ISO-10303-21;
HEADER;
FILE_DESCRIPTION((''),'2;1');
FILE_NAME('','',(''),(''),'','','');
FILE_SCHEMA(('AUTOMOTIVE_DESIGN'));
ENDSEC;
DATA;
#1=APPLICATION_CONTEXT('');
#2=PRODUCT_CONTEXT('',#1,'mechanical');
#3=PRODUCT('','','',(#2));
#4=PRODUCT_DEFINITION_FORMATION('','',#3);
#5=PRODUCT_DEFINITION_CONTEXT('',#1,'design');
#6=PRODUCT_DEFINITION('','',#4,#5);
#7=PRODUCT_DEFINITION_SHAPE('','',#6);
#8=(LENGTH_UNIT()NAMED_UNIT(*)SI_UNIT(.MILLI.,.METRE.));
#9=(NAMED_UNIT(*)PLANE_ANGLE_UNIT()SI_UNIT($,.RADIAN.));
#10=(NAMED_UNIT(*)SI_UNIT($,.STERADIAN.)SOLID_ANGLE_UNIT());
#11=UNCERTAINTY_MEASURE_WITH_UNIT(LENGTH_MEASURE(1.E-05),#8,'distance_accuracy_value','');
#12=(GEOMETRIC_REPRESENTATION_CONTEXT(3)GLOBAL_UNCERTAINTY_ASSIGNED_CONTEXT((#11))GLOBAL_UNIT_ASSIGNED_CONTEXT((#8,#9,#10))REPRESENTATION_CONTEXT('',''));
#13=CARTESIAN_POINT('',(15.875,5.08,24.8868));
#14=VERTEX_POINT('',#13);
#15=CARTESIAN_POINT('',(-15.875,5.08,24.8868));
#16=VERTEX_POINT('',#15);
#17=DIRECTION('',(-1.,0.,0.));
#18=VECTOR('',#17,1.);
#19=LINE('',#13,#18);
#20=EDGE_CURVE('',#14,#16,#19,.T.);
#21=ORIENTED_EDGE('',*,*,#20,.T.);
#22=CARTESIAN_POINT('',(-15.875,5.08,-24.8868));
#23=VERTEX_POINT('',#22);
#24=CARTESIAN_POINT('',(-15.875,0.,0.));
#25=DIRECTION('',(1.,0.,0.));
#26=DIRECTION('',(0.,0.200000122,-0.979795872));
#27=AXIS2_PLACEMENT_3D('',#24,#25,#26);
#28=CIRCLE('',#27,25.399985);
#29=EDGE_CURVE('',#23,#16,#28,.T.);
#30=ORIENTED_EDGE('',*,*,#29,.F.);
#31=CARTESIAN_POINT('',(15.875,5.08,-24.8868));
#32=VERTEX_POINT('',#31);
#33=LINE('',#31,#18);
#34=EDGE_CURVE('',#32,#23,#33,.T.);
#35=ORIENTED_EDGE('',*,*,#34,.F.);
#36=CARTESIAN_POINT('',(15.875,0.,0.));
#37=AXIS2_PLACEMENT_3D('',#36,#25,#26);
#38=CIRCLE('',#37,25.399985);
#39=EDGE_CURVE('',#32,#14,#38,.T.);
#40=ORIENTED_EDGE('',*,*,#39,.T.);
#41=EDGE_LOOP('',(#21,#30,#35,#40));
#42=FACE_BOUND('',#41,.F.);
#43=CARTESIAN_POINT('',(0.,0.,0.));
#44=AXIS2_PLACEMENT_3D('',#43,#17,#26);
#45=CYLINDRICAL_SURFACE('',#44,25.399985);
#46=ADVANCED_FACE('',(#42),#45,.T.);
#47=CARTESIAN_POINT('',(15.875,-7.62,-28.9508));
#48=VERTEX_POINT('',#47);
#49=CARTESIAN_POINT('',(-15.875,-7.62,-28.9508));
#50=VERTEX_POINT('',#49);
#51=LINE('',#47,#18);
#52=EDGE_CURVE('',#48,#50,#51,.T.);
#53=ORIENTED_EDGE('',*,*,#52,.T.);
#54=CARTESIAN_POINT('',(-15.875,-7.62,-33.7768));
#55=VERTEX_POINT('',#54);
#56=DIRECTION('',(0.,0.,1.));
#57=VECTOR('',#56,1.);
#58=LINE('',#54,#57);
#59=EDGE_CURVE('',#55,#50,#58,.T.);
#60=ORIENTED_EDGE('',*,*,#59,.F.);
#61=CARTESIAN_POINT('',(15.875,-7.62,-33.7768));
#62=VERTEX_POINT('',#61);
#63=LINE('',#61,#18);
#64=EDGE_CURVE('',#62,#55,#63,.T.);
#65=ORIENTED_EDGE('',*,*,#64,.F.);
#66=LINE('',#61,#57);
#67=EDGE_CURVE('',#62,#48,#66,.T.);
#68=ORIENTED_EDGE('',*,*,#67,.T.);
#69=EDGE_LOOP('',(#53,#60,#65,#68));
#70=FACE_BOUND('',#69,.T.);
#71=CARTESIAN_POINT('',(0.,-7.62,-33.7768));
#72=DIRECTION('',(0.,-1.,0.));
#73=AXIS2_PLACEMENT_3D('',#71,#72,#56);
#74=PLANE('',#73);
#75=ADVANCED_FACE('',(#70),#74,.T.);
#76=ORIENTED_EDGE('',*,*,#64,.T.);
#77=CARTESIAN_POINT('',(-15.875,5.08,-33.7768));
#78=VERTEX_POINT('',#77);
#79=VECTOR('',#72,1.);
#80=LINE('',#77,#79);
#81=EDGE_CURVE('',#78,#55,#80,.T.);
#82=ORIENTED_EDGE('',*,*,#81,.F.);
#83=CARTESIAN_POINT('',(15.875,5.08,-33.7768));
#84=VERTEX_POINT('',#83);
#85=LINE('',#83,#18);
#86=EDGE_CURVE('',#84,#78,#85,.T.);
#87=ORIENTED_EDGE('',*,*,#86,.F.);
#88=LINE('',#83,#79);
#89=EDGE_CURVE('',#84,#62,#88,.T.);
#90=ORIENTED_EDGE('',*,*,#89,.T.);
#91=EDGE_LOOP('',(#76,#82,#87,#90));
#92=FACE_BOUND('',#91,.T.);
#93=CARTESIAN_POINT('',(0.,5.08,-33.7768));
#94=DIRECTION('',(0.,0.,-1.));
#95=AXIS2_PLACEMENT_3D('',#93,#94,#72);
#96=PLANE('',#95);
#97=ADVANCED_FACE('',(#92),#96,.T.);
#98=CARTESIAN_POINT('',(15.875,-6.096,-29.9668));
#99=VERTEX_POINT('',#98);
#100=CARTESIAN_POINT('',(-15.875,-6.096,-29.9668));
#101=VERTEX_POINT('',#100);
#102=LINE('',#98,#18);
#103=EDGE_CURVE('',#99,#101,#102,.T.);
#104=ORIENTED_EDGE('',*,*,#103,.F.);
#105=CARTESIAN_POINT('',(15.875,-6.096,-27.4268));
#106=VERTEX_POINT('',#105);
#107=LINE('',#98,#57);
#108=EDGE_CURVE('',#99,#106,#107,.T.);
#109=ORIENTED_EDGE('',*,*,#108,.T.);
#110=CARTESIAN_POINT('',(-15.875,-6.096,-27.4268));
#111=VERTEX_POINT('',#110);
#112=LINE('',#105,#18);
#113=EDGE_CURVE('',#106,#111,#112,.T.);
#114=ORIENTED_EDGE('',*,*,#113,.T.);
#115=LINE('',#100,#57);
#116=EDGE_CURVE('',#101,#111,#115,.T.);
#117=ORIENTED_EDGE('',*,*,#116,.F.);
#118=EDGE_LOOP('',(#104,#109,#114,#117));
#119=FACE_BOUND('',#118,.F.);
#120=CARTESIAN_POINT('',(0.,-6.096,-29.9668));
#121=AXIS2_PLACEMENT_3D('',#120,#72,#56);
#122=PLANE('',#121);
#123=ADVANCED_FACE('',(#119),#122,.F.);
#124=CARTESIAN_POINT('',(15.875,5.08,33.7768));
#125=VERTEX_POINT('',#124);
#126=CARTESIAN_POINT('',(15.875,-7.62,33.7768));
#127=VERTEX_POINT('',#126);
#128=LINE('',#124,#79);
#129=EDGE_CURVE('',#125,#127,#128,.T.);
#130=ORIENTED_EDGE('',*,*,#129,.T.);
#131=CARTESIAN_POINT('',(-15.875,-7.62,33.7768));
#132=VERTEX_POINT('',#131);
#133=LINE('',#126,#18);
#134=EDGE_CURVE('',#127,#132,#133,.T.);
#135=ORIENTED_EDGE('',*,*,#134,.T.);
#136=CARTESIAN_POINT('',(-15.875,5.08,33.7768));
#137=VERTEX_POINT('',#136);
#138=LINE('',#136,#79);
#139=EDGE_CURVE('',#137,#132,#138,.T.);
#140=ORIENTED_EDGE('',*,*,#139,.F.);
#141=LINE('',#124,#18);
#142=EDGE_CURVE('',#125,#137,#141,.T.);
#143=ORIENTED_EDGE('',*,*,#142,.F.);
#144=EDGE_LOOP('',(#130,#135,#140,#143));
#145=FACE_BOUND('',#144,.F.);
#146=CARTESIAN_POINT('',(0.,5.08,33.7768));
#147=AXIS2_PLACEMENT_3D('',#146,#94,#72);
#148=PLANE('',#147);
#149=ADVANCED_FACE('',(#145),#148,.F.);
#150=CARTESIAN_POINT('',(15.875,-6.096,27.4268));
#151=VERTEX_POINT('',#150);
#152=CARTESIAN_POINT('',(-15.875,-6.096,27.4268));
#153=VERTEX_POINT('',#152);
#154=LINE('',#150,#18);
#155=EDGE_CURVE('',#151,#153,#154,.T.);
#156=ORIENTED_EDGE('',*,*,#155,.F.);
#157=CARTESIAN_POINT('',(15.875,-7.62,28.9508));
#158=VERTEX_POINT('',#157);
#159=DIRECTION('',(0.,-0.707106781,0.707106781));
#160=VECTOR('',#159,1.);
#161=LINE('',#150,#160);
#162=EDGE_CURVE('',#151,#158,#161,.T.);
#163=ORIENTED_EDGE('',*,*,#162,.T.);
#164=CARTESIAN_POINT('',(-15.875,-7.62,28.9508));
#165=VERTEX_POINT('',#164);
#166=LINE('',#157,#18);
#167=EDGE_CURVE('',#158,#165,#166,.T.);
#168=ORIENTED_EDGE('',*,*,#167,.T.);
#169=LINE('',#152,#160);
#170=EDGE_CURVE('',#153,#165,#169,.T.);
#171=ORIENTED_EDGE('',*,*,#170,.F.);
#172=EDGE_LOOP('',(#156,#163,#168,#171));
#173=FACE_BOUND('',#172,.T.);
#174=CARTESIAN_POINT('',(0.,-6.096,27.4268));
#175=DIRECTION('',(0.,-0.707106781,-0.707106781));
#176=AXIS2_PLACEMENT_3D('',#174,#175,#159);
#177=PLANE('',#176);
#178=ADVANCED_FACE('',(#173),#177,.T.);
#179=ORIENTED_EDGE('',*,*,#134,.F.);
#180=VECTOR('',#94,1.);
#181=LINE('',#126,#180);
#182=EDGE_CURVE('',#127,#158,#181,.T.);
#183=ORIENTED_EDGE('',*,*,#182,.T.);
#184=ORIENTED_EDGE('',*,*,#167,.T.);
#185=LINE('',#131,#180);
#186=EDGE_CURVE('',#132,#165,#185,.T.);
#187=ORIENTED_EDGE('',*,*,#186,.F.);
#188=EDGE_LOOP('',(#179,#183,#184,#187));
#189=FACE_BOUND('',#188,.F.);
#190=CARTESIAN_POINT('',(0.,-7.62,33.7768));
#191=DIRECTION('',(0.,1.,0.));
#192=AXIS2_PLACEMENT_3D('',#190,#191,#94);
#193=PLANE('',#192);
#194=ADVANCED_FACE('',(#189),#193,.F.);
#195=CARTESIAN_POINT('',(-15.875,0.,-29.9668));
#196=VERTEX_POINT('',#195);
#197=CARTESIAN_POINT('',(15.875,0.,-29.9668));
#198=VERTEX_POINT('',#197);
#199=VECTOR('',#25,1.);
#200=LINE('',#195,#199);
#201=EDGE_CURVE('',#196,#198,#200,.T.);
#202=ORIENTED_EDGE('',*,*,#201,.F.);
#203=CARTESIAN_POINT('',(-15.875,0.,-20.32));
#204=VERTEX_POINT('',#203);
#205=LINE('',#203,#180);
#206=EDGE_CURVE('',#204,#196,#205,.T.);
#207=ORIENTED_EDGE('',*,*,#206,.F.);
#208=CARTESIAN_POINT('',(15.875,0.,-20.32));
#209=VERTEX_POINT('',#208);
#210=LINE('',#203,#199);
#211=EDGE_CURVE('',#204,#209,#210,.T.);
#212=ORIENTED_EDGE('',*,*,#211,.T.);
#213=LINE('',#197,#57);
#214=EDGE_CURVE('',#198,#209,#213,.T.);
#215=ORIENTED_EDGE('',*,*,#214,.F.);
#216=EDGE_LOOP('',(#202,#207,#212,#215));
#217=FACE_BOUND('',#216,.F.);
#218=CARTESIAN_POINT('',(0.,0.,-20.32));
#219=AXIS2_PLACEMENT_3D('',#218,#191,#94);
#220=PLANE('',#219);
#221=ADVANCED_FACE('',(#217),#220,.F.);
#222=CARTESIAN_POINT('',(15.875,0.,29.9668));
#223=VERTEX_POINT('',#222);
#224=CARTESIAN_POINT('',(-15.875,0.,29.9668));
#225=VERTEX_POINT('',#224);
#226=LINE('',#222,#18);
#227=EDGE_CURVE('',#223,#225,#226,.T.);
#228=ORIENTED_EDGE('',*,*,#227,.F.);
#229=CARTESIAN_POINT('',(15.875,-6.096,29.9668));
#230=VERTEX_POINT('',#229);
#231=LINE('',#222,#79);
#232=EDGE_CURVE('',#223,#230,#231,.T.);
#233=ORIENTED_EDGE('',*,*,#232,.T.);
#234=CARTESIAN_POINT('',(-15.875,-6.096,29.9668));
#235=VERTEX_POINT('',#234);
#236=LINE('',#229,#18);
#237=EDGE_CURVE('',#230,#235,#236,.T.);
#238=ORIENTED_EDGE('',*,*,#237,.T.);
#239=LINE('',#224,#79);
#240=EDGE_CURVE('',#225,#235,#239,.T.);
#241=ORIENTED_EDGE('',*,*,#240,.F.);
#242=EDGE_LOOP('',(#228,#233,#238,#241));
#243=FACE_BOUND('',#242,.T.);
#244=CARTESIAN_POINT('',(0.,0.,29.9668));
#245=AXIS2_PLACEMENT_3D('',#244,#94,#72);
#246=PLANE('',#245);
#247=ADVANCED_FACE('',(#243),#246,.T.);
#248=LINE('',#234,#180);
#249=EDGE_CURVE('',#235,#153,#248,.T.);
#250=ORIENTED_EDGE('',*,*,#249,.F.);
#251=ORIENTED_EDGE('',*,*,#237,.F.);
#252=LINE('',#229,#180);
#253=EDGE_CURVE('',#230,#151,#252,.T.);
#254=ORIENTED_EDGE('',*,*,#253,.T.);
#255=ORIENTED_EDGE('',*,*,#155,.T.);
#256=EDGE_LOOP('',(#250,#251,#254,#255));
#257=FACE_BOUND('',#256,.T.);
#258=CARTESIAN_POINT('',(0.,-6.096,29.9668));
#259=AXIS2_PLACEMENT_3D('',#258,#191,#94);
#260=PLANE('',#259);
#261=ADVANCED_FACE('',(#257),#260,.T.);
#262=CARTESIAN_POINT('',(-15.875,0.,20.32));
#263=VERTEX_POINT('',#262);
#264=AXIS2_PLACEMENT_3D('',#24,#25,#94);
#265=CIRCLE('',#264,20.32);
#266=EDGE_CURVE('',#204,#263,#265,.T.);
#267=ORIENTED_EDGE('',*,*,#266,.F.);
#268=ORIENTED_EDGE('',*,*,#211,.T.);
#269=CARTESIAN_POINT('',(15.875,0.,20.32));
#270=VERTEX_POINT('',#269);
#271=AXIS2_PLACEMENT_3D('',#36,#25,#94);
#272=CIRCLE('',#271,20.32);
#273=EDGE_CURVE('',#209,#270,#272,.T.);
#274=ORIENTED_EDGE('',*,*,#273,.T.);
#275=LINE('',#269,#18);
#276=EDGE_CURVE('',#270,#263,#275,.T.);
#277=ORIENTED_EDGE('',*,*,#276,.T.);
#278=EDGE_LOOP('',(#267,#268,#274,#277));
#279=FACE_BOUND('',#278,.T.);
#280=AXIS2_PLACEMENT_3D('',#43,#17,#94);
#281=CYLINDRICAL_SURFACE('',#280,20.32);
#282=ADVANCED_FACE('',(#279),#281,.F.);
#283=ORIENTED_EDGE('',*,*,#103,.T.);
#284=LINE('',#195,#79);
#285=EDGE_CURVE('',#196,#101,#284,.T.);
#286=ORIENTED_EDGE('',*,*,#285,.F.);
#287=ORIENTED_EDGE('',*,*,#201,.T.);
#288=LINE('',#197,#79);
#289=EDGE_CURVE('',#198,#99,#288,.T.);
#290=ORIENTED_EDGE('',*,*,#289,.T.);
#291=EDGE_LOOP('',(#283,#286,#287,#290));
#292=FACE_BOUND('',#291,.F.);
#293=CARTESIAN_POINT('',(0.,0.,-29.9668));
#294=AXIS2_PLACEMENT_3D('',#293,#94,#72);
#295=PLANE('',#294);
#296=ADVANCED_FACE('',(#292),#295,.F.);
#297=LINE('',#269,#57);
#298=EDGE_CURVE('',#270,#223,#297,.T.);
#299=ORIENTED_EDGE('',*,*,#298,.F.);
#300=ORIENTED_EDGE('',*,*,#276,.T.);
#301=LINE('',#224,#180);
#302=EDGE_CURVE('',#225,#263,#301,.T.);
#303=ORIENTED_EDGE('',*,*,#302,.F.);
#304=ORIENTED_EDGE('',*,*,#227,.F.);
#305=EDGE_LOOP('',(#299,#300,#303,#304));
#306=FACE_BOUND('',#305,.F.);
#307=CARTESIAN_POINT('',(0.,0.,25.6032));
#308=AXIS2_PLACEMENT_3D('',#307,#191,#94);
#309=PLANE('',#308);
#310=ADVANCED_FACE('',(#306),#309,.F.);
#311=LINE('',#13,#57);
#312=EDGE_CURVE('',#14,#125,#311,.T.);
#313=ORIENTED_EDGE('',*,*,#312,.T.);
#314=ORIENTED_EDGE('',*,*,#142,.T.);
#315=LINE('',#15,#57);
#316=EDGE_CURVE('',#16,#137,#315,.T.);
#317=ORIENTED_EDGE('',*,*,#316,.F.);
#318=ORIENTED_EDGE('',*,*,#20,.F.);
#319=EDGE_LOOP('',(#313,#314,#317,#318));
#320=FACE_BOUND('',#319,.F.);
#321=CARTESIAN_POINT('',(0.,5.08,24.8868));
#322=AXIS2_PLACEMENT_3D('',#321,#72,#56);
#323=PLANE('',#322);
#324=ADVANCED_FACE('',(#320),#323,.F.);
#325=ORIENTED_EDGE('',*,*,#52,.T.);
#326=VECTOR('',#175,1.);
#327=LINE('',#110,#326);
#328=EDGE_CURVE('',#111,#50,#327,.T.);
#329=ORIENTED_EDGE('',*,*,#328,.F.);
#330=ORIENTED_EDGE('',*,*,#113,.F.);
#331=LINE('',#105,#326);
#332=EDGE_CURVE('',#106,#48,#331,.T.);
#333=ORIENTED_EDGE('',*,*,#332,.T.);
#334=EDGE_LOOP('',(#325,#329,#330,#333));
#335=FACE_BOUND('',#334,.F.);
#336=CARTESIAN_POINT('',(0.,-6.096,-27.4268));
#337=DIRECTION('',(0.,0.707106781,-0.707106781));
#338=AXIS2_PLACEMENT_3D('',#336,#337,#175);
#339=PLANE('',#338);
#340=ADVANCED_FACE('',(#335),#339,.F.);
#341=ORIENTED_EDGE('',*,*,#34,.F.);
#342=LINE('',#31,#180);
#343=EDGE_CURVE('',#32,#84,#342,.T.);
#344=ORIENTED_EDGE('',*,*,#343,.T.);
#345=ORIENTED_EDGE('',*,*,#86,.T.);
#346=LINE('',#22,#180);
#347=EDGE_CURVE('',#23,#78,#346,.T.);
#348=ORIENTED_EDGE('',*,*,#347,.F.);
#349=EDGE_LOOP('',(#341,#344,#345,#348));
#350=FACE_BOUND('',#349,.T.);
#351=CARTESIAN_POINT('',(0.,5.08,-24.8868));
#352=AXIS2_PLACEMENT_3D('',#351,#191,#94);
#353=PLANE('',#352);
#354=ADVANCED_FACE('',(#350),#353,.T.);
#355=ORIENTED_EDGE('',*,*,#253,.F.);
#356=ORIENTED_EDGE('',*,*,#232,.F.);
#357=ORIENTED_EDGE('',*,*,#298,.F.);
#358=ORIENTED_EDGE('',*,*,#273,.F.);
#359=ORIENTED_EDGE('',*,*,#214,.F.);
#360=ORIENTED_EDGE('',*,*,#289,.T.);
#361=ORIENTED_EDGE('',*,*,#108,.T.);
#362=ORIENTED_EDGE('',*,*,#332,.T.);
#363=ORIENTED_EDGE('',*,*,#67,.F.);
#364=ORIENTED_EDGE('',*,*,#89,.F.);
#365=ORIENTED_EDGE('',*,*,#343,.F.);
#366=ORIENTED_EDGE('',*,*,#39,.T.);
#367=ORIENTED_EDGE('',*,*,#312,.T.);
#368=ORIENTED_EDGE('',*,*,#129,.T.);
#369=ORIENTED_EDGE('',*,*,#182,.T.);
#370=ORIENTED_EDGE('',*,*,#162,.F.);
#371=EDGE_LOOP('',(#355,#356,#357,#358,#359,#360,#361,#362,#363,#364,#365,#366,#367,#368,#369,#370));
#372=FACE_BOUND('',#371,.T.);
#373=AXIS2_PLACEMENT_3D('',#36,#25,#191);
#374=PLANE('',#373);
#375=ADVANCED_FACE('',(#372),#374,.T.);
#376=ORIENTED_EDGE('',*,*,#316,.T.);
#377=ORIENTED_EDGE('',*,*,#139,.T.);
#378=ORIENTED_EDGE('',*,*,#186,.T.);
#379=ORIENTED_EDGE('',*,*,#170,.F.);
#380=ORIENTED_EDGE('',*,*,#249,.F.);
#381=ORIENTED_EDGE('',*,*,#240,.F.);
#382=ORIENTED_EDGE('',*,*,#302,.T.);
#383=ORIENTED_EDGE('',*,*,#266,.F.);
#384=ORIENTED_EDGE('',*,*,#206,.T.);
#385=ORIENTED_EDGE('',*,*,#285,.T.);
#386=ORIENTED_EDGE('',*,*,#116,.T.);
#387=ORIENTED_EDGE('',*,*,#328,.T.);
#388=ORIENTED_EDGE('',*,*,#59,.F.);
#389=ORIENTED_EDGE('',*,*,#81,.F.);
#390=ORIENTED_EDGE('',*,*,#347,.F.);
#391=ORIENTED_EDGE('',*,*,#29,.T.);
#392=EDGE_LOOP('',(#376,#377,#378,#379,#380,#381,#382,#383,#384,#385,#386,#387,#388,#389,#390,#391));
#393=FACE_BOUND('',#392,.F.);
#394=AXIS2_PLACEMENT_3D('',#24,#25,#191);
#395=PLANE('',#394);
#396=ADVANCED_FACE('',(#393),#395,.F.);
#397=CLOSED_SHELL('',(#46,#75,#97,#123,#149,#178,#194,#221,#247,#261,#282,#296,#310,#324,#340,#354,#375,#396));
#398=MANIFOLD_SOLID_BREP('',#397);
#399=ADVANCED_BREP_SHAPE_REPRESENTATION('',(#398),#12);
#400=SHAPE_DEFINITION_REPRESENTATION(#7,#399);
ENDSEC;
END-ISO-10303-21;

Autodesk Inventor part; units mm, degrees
ref_plane "YZ Plane" through (0, 0, 0) normal (1, 0, 0) x (0, 1, 0)
ref_plane "XZ Plane" through (0, 0, 0) normal (0, 1, 0) x (-1, 0, 0)
ref_plane "XY Plane" through (0, 0, 0) normal (0, 0, 1) x (1, 0, 0)
sketch "Sketch1" plane through (0, 0, 0) normal (1, 0, 0) x (0, 1, 0)
  arc A0 (0, -20.32) -> (0, 20.32) centre (0, 0) ccw
  arc A1 (5.08, -24.8868) -> (5.08, 24.8868) centre (0, 0) ccw
  line L0 (0, 25.6032) -> (0, 20.32)
  line L1 (0, -20.32) -> (0, -25.4)
  line L2 (0, 25.6032) -> (0, 29.9668)
  line L3 (0, 29.9668) -> (-6.096, 29.9668)
  line L4 (-6.096, 29.9668) -> (-6.096, 27.4268)
  line L5 (-6.096, 27.4268) -> (-7.62, 28.9508)
  line L6 (-6.096, 27.4268) -> (-3.9407, 27.4268) construction
  line L7 (5.08, 24.8868) -> (5.08, 33.7768)
  line L8 (5.08, 33.7768) -> (-7.62, 33.7768)
  line L9 (-7.62, 33.7768) -> (-7.62, 28.9508)
  line L10 (10.0375, 0) -> (16.2196, 0) construction
  line L11 (0, -25.4) -> (0, -29.9668)
  line L12 (0, -29.9668) -> (-6.096, -29.9668)
  line L13 (-6.096, -29.9668) -> (-6.096, -27.4268)
  line L14 (-6.096, -27.4268) -> (-7.62, -28.9508)
  line L15 (5.08, -24.8868) -> (5.08, -33.7768)
  line L16 (5.08, -33.7768) -> (-7.62, -33.7768)
  line L17 (-7.62, -33.7768) -> (-7.62, -28.9508)
  dimension "d0" = 40.64
  dimension "d1" = 50.8
  dimension "d3" = 6.096
  dimension "d4" = 2.54
  dimension "d5" = 135
  dimension "d6" = 5.08
  dimension "d7" = 0
  dimension "d8" = 8.89
  dimension "d9" = 12.7
  dimension "d12" = 5.08
extrude "Extrusion1" add sketch "Sketch1" along normal mid plane 31.75
properties part number "PistonClip"
